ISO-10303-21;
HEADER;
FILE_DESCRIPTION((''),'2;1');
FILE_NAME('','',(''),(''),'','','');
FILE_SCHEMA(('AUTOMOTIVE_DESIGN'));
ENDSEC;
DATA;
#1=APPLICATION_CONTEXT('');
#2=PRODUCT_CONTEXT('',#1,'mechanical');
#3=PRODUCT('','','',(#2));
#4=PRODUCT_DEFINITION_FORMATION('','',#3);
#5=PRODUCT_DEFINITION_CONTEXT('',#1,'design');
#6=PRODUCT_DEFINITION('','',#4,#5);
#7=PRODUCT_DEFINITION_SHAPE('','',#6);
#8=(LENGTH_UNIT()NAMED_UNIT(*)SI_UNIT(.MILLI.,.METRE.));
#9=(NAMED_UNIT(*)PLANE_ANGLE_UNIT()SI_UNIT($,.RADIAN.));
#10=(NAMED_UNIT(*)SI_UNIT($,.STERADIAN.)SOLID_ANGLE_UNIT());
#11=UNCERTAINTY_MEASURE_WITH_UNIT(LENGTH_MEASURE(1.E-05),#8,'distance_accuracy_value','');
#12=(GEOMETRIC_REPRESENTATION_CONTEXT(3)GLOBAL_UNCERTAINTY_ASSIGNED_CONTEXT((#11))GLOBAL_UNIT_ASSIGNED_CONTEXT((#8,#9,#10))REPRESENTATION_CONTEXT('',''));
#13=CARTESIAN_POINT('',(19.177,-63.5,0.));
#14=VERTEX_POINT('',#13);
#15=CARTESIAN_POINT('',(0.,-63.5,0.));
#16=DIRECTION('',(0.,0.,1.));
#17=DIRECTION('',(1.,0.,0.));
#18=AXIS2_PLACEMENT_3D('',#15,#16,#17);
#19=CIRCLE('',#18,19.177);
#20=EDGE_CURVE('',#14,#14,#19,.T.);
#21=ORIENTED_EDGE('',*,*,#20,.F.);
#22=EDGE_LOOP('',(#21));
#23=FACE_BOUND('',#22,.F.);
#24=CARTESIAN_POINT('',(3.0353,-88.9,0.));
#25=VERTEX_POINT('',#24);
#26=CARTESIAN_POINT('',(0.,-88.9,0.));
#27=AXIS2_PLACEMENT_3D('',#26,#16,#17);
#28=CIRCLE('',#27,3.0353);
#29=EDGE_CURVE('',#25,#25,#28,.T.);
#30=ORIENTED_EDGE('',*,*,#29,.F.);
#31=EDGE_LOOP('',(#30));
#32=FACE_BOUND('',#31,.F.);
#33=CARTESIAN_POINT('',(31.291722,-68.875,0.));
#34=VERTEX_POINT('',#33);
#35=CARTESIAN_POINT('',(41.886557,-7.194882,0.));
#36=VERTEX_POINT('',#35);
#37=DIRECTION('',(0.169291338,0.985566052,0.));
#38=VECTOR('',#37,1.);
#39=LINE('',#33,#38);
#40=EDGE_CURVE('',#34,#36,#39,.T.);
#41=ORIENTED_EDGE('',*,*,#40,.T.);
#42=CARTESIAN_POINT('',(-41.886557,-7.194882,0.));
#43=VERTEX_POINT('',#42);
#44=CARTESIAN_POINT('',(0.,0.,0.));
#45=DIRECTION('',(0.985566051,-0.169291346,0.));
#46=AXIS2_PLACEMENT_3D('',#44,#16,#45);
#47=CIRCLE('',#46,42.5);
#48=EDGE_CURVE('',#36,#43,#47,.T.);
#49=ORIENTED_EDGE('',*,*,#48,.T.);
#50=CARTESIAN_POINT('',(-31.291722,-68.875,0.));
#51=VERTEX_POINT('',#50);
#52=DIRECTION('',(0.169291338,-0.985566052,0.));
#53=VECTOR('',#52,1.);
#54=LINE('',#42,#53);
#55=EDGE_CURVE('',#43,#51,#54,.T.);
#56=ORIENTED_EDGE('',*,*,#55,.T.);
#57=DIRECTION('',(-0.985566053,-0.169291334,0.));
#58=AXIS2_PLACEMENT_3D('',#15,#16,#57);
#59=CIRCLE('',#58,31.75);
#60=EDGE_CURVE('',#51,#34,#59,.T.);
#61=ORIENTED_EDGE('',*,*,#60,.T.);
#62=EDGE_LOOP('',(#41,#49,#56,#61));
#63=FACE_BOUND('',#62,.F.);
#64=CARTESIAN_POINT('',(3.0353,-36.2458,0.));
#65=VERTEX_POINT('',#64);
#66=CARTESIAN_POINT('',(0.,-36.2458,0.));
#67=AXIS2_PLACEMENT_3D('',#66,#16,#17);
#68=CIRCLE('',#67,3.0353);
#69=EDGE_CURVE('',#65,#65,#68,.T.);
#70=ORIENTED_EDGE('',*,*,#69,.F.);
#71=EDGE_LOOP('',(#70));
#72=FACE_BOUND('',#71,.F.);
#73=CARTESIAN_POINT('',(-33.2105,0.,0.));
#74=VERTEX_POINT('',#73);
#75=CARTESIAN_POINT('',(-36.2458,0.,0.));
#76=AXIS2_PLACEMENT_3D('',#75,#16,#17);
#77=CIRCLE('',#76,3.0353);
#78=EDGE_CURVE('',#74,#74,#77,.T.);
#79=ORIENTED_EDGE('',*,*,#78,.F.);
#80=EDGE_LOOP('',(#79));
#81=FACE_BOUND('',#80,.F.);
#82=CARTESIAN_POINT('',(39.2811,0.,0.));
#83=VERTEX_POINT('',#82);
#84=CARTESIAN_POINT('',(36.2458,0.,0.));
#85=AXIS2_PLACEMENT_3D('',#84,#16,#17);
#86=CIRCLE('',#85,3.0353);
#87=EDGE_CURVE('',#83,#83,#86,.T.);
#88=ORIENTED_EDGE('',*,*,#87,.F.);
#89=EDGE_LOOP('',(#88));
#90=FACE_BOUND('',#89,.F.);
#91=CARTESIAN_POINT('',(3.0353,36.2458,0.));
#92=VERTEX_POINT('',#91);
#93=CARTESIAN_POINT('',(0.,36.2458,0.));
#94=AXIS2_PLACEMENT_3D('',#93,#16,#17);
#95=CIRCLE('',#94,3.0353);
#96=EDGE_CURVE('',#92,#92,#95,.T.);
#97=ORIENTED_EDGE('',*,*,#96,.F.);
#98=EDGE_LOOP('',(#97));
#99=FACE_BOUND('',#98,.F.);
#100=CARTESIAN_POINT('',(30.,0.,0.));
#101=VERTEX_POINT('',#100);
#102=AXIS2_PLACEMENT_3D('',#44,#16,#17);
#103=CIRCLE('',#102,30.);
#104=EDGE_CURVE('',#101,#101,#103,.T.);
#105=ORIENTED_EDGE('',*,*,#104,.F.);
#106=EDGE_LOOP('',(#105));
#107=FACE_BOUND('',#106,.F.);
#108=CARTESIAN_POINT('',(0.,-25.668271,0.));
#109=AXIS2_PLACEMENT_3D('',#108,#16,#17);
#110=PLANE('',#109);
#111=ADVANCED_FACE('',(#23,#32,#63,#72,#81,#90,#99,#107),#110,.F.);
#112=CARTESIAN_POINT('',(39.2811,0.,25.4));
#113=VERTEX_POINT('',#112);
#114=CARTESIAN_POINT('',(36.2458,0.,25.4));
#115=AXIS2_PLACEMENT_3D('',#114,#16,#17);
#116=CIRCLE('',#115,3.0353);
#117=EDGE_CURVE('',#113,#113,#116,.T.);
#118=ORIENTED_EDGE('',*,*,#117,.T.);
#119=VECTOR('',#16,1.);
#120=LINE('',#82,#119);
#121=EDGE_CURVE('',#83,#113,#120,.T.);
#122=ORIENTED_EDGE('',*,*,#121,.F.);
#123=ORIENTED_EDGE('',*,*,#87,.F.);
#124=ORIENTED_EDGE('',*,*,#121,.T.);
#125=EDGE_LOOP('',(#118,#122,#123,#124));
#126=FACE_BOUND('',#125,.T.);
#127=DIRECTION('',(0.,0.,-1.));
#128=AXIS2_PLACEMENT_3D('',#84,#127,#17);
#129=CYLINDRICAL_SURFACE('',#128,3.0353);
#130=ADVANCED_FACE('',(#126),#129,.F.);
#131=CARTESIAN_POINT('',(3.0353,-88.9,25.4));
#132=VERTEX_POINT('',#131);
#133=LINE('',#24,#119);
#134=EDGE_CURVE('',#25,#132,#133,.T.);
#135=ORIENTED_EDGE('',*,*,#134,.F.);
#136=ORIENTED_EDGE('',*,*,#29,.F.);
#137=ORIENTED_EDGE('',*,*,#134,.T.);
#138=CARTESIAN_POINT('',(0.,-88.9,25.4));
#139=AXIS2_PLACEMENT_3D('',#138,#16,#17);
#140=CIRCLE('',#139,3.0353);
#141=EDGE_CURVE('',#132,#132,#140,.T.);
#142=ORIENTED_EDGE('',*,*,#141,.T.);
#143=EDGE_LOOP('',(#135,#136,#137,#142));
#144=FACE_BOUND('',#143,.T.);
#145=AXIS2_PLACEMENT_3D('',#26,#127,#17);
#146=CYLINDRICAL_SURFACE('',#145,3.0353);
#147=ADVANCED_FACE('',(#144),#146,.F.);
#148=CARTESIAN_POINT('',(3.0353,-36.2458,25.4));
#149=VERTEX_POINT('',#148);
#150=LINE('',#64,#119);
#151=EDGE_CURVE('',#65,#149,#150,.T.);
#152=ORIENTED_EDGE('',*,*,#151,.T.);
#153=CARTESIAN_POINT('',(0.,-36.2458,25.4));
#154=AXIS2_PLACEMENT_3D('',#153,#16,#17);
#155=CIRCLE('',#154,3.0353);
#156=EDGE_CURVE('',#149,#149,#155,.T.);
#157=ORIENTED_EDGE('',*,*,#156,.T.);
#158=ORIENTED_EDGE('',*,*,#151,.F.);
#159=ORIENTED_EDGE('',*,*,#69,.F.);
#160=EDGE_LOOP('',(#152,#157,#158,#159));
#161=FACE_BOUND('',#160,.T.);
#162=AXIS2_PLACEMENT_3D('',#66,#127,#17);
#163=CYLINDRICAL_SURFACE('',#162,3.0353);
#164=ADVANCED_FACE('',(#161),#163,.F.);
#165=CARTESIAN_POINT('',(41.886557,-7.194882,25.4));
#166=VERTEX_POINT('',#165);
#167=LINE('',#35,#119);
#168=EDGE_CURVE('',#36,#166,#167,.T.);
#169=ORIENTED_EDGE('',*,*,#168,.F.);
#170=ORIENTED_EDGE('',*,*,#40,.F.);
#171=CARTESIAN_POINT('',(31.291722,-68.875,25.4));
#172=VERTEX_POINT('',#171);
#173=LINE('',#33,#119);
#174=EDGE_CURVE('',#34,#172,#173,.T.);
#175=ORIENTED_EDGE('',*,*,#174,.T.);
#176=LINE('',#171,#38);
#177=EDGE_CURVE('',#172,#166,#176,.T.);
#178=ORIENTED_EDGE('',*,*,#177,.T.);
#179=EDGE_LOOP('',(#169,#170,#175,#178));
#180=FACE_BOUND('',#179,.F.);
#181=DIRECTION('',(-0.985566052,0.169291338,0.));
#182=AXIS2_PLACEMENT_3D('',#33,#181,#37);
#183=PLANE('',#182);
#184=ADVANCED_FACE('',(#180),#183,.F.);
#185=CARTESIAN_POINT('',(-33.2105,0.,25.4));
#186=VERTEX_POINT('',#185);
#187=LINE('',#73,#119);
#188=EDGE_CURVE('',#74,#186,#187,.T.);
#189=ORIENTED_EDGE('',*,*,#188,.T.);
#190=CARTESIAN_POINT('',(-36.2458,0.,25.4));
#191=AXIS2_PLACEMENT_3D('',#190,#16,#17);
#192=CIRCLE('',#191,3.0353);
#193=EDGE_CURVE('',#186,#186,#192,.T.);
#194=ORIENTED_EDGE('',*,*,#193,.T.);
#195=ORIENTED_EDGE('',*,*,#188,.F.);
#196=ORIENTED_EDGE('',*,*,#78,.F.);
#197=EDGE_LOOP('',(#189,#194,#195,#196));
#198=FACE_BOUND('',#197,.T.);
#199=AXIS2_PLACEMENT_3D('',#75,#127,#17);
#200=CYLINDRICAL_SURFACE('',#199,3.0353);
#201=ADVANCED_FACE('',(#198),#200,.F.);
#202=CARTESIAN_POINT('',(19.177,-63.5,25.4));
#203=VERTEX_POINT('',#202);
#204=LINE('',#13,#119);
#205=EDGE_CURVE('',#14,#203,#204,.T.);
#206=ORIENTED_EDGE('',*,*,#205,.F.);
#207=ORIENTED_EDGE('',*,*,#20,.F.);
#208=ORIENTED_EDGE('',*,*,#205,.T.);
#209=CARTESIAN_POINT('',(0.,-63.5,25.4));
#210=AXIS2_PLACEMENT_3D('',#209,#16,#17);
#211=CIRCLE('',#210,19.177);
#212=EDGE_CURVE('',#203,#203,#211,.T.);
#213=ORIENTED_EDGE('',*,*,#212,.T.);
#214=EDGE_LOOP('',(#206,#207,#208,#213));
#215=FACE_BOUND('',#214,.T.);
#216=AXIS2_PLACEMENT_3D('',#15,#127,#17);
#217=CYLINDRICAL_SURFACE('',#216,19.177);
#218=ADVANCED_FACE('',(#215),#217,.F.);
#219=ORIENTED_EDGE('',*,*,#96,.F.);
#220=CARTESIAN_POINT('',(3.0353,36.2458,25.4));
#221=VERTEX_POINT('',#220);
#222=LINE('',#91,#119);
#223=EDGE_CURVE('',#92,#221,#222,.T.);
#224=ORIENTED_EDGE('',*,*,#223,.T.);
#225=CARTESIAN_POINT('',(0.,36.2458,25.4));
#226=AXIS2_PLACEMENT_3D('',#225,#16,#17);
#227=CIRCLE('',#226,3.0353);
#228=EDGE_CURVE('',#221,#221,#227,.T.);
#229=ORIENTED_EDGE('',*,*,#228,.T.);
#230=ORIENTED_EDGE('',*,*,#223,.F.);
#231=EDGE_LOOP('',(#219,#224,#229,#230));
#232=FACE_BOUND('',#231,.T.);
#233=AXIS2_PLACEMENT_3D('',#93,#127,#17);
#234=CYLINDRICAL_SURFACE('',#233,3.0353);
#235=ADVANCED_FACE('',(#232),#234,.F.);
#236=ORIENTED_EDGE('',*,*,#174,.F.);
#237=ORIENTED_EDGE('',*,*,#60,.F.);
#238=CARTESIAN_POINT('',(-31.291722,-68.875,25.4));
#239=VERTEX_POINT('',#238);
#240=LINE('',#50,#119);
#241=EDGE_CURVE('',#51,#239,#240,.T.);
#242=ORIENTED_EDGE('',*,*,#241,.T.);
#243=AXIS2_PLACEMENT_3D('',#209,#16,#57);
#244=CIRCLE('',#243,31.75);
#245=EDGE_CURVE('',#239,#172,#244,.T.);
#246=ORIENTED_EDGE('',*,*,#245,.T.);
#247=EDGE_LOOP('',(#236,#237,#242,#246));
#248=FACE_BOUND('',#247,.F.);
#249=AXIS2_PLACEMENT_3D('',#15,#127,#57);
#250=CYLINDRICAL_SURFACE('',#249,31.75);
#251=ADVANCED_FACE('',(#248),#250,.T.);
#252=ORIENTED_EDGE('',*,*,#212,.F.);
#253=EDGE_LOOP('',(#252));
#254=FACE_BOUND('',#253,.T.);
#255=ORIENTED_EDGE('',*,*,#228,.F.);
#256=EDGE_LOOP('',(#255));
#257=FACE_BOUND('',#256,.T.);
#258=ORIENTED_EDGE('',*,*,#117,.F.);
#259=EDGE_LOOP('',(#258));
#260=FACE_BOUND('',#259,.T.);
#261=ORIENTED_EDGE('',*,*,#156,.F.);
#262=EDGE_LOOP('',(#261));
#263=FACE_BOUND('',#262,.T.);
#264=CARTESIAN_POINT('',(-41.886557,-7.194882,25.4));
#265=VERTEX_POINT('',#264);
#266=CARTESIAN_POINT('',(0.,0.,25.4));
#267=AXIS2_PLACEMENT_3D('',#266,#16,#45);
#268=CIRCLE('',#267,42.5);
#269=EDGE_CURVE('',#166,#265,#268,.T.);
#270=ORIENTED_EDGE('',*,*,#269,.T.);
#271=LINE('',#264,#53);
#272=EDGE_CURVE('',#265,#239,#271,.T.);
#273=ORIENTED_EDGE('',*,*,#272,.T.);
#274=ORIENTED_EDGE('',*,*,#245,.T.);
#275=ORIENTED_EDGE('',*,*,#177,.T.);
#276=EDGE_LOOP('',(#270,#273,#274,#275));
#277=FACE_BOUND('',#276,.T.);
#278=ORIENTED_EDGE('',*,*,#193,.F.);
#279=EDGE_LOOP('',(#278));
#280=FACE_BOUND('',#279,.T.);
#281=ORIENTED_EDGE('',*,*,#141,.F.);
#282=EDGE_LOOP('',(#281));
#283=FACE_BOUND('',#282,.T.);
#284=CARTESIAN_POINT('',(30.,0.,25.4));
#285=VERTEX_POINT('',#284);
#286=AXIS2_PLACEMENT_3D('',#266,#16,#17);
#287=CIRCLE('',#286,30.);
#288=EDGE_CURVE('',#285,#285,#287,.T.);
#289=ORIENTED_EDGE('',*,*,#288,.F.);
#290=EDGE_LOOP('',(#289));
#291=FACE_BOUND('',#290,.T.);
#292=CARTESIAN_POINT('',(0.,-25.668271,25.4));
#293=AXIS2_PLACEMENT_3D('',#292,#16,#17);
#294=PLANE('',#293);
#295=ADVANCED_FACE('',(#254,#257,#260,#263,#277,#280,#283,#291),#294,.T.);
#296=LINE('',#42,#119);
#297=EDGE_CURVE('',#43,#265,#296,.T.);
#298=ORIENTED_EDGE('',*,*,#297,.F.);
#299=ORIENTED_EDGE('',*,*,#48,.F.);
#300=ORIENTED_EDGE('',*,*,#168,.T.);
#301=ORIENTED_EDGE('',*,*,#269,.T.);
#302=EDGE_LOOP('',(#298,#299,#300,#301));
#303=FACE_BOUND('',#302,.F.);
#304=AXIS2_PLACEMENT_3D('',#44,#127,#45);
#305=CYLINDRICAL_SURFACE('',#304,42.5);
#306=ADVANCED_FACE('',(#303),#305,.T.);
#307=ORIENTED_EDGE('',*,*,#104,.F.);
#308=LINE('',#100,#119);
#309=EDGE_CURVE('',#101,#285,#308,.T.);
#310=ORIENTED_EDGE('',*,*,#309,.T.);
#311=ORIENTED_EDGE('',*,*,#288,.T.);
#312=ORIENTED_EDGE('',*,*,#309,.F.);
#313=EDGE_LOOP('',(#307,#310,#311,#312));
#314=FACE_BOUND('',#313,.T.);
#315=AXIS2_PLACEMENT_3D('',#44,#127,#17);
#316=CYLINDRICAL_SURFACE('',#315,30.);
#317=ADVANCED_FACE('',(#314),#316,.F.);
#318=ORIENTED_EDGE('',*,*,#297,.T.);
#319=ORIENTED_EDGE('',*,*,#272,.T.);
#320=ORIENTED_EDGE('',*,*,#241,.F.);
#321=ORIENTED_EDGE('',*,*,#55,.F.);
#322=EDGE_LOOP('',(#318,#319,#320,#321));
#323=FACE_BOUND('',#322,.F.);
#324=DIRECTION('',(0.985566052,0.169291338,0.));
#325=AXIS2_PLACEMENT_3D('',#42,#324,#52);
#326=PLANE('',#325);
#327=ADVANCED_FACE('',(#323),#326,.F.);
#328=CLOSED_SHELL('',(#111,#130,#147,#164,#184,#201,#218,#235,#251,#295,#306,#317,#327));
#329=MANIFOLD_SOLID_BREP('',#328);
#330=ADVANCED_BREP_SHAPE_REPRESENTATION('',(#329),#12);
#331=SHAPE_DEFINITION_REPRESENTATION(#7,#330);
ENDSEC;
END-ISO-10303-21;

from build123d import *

# Parameters (mm, degrees)
F0_R     = 3.0353
F0_R_2   = 19.177
F0_R_3   = 30
F1_DEPTH = 25.4


with BuildPart() as f1:
    # F0 (on Top) → F1 (new body)
    with BuildSketch(Plane.XY):
        with BuildLine():
            ThreePointArc((-31.291722, -68.875), (0, -95.25), (31.291722, -68.875))
            Line((31.291722, -68.875), (41.886557, -7.194882))
            ThreePointArc((41.886557, -7.194882), (0, 42.5), (-41.886557, -7.194882))
            Line((-41.886557, -7.194882), (-31.291722, -68.875))
        make_face()
        with Locations((0, -88.9)):
            Circle(F0_R, mode=Mode.SUBTRACT)
        with Locations((0, -63.5)):
            Circle(F0_R_2, mode=Mode.SUBTRACT)
        with Locations((0, -36.2458)):
            Circle(F0_R, mode=Mode.SUBTRACT)
        with Locations((-36.2458, 0)):
            Circle(F0_R, mode=Mode.SUBTRACT)
        Circle(F0_R_3, mode=Mode.SUBTRACT)
        with Locations((36.2458, 0)):
            Circle(F0_R, mode=Mode.SUBTRACT)
        with Locations((0, 36.2458)):
            Circle(F0_R, mode=Mode.SUBTRACT)
    extrude(amount=F1_DEPTH)


solid = f1.part
